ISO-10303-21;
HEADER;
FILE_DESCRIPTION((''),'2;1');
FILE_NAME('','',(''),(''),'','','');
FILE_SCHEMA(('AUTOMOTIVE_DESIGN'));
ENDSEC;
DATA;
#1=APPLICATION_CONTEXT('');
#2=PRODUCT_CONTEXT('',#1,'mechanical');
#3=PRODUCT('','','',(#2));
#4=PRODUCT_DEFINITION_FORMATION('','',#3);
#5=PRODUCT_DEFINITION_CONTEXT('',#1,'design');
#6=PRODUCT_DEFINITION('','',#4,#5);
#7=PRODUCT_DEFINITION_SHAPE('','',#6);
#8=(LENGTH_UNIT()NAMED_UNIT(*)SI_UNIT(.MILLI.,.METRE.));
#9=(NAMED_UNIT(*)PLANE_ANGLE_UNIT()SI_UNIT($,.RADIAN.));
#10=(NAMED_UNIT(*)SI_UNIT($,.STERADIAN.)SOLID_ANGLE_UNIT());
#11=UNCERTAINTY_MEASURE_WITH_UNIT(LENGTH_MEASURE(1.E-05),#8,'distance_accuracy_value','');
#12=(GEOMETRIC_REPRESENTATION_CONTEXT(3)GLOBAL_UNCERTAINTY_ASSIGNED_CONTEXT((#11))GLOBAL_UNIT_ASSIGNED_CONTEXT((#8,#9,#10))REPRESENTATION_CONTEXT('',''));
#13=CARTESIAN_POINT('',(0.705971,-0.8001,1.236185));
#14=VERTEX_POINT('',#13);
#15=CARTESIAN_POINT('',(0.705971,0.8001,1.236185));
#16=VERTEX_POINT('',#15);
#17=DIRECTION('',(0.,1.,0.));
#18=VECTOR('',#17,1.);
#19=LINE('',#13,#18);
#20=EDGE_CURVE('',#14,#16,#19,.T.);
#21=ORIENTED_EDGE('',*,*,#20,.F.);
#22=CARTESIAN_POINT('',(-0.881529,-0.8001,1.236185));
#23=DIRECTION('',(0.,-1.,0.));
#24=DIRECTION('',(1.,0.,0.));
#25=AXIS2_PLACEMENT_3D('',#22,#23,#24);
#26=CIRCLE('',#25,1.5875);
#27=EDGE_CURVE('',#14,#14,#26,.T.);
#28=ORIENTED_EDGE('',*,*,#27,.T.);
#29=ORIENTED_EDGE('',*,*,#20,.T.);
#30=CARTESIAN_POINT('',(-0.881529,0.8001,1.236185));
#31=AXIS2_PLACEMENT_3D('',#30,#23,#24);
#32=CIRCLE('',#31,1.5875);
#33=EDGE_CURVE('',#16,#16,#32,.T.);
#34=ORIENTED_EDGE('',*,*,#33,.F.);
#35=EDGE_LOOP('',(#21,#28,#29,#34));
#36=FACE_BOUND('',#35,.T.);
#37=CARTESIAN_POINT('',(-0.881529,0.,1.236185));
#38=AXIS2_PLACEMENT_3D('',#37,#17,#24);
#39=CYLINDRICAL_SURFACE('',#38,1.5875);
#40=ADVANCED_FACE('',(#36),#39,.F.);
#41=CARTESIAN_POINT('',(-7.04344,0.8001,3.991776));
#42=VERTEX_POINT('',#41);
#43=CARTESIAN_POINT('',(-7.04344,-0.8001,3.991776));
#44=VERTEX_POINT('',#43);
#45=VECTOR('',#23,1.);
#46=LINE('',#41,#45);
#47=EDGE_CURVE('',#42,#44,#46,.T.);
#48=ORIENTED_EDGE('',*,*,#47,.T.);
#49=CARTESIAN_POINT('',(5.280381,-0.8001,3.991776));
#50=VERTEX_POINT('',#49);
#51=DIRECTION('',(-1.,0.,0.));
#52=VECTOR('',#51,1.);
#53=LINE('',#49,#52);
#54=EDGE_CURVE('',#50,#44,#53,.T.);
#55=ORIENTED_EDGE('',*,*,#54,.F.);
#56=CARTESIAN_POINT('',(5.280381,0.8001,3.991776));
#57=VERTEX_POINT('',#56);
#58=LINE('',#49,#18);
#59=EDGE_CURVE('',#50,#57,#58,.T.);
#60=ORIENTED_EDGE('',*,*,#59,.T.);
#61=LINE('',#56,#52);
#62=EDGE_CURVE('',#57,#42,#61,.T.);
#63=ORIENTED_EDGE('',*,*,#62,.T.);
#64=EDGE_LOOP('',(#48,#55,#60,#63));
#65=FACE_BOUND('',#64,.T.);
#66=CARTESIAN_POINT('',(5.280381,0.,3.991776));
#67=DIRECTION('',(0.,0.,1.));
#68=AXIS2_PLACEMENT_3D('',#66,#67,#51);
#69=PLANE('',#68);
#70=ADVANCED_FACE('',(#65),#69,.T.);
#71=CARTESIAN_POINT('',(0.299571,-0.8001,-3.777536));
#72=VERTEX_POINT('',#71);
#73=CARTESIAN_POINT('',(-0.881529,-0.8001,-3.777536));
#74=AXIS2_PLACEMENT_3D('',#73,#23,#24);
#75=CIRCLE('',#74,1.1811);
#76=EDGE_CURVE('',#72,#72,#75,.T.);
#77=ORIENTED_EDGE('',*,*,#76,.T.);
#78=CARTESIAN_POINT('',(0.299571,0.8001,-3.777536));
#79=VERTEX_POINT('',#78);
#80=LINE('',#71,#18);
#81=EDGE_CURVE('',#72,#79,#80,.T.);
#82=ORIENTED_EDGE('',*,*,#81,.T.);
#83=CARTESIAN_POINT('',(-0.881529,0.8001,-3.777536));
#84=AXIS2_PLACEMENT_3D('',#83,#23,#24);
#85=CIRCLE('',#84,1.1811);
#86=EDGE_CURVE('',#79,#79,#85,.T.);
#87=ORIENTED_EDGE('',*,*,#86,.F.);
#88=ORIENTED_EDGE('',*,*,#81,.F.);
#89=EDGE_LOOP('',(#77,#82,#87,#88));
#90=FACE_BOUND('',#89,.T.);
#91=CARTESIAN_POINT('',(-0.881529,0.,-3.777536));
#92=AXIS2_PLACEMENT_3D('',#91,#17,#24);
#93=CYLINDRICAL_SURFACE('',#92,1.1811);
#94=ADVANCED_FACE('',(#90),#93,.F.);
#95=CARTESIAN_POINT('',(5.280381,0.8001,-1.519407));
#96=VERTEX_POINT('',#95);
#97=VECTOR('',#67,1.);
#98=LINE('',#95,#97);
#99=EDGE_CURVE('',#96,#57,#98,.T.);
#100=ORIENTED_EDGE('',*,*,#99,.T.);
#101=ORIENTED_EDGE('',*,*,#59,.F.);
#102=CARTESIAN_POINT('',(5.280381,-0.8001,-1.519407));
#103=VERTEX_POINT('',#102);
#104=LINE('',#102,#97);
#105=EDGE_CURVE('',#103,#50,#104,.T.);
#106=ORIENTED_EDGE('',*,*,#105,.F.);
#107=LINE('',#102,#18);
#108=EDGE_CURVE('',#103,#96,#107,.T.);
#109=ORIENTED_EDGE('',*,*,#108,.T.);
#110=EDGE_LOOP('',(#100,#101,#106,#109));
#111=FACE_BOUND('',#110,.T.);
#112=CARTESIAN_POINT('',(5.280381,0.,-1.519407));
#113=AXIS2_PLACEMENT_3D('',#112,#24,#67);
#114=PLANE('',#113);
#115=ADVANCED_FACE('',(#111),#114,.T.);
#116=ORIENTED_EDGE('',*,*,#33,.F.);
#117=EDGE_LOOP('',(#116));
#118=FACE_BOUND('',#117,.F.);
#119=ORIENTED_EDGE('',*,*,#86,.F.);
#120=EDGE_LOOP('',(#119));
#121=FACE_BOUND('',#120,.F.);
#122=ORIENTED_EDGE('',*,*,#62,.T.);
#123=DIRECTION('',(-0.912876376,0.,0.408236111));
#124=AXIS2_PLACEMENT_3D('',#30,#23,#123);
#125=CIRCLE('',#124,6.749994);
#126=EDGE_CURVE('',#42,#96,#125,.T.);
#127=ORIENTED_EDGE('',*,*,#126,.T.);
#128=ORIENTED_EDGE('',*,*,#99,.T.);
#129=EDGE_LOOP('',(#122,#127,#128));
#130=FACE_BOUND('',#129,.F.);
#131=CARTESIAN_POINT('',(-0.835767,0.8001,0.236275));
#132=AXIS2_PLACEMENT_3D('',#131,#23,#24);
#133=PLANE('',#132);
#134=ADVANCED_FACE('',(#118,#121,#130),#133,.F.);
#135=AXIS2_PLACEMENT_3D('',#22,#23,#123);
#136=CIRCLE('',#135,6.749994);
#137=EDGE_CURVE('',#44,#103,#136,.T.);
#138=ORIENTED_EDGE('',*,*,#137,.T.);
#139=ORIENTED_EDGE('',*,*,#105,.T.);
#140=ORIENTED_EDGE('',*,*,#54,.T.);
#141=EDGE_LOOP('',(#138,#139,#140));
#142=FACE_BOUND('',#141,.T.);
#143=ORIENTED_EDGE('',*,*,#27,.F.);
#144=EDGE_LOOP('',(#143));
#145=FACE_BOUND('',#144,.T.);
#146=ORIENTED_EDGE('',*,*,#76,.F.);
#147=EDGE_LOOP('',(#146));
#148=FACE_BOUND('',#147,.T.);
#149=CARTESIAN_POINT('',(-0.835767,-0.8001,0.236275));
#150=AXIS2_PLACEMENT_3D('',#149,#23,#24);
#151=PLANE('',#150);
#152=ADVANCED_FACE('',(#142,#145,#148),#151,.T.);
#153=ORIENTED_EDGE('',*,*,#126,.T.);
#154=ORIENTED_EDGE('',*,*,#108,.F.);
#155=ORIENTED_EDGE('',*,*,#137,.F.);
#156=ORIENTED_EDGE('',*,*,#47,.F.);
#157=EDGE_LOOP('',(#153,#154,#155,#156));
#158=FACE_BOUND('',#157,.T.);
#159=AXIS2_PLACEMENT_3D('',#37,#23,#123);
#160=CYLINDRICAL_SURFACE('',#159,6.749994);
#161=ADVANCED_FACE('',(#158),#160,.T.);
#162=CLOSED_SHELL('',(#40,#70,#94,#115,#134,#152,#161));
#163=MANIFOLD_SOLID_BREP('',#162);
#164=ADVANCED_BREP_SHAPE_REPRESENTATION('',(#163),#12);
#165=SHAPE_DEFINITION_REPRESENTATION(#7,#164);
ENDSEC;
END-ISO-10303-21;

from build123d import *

# Parameters (mm, degrees)
F0_R     = 1.1811
F0_R_2   = 1.5875
F1_DEPTH = 0.8001


with BuildPart() as f1:
    # F0 (on Front) → F1 (new body, symmetric)
    with BuildSketch(Plane.XZ):
        with BuildLine():
            Line((5.280381, 3.991776), (-7.04344, 3.991776))
            ThreePointArc((-7.04344, 3.991776), (-3.637121, -4.925726), (5.280381, -1.519407))
            Line((5.280381, -1.519407), (5.280381, 3.991776))
        make_face()
        with Locations((-0.881529, -3.777536)):
            Circle(F0_R, mode=Mode.SUBTRACT)
        with Locations((-0.881529, 1.236185)):
            Circle(F0_R_2, mode=Mode.SUBTRACT)
    extrude(amount=F1_DEPTH, both=True)


solid = f1.part
